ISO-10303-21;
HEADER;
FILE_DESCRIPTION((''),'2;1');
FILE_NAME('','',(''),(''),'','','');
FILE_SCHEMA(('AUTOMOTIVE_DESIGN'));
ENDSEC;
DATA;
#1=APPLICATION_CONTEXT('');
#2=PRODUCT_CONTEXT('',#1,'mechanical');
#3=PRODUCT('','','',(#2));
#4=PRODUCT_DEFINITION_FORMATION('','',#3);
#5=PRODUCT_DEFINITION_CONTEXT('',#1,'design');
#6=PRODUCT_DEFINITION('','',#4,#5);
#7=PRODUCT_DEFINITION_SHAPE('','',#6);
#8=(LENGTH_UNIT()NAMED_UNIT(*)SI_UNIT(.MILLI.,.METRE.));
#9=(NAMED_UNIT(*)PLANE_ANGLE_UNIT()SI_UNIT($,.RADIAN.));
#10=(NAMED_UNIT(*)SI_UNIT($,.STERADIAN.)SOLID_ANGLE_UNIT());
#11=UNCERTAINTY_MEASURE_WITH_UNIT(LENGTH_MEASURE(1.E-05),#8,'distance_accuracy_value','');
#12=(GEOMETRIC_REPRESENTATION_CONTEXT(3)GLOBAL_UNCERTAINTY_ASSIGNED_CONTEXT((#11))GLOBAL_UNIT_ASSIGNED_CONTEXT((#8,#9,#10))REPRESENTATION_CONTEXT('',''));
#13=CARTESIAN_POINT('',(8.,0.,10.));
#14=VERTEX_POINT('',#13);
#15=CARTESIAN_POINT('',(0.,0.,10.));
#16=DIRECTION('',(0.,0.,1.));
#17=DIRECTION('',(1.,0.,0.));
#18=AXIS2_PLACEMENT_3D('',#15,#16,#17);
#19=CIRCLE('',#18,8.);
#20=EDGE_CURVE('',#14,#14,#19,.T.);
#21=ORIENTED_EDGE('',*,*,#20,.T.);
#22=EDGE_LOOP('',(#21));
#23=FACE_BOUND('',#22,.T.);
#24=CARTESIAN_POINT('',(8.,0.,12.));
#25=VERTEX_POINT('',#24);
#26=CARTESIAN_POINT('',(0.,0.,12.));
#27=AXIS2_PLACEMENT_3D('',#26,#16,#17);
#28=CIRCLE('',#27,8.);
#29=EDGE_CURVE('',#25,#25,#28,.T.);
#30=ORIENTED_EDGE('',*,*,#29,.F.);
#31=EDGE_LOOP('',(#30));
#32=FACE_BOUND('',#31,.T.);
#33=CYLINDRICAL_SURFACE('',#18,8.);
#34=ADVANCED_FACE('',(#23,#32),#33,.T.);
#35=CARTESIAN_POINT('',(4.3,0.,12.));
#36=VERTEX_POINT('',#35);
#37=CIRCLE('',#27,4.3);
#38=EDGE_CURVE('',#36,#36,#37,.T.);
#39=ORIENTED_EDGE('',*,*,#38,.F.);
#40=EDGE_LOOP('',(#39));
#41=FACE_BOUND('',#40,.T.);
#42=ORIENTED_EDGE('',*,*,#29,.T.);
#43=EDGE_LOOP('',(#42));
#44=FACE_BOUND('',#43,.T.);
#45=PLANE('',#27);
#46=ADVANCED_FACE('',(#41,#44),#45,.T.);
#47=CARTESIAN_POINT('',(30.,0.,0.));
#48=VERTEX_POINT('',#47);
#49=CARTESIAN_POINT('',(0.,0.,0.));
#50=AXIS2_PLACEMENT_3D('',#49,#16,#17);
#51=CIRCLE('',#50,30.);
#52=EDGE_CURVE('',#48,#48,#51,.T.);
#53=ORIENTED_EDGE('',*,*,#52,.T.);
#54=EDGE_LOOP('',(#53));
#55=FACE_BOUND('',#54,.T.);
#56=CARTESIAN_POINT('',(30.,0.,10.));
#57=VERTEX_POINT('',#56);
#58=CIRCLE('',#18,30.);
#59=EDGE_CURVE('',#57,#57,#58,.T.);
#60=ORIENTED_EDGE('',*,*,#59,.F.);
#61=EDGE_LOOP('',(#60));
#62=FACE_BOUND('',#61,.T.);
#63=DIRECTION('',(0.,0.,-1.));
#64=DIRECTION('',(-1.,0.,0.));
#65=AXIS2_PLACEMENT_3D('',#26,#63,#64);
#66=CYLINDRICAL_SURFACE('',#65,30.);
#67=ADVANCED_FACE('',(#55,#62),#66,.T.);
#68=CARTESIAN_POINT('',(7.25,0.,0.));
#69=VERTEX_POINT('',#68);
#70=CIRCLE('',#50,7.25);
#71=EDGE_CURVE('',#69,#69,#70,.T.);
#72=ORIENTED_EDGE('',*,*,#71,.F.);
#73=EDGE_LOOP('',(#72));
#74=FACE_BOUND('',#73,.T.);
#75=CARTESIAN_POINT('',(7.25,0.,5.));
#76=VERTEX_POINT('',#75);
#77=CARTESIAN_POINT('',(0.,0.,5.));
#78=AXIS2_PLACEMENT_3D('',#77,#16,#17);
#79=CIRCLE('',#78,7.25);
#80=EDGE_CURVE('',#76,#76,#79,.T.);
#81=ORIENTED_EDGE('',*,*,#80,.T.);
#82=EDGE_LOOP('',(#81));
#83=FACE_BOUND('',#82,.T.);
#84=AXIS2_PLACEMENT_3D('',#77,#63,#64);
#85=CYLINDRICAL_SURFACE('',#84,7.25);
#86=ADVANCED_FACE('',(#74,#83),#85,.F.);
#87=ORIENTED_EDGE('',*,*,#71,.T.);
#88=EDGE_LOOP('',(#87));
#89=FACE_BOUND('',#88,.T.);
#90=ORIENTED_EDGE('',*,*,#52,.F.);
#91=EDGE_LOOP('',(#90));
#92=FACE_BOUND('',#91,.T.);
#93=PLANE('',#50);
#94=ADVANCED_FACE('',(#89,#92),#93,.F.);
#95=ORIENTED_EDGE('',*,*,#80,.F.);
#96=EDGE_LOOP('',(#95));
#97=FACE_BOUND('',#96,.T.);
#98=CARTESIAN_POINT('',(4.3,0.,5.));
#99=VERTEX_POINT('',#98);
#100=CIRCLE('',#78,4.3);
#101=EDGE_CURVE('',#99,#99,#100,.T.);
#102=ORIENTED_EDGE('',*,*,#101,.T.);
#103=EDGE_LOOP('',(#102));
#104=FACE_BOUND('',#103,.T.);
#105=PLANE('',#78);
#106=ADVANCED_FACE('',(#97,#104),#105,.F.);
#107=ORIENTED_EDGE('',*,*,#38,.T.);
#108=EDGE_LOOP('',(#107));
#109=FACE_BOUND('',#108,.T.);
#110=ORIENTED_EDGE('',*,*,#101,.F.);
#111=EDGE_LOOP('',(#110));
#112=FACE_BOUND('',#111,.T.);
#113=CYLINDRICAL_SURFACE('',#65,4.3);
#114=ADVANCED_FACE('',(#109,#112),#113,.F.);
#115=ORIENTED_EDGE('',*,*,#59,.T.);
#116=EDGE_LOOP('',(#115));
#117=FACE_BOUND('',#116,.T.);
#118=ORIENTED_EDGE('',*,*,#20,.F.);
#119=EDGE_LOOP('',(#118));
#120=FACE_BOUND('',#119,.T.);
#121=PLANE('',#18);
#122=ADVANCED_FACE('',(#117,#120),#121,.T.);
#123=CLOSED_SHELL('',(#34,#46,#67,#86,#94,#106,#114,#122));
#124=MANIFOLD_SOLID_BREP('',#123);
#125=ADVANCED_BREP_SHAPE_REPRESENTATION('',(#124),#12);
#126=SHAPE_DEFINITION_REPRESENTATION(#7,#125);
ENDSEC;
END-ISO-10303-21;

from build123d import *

# Parameters (mm, degrees)
SKETCH1_R           = 30
SKETCH1_R_2         = 4.3
BOSS_EXTRUDE1_DEPTH = 12
SKETCH2_R           = 7.25
CUT_EXTRUDE1_DEPTH  = 5
SKETCH3_R           = 30
SKETCH3_R_2         = 8
CUT_EXTRUDE2_DEPTH  = 2


with BuildPart() as part:
    # Sketch1 → Boss-Extrude1 (new body)
    with BuildSketch(Plane.XY):
        Circle(SKETCH1_R)
        Circle(SKETCH1_R_2, mode=Mode.SUBTRACT)
    extrude(amount=BOSS_EXTRUDE1_DEPTH)

    # Sketch2 → Cut-Extrude1 (cut)
    with BuildSketch(Plane.XY):
        Circle(SKETCH2_R)
    extrude(amount=CUT_EXTRUDE1_DEPTH, mode=Mode.SUBTRACT)

    # Sketch3 → Cut-Extrude2 (cut)
    with BuildSketch(Plane.XY.offset(12)):
        Circle(SKETCH3_R)
        Circle(SKETCH3_R_2, mode=Mode.SUBTRACT)
    extrude(amount=-CUT_EXTRUDE2_DEPTH, mode=Mode.SUBTRACT)


solid = part.part
